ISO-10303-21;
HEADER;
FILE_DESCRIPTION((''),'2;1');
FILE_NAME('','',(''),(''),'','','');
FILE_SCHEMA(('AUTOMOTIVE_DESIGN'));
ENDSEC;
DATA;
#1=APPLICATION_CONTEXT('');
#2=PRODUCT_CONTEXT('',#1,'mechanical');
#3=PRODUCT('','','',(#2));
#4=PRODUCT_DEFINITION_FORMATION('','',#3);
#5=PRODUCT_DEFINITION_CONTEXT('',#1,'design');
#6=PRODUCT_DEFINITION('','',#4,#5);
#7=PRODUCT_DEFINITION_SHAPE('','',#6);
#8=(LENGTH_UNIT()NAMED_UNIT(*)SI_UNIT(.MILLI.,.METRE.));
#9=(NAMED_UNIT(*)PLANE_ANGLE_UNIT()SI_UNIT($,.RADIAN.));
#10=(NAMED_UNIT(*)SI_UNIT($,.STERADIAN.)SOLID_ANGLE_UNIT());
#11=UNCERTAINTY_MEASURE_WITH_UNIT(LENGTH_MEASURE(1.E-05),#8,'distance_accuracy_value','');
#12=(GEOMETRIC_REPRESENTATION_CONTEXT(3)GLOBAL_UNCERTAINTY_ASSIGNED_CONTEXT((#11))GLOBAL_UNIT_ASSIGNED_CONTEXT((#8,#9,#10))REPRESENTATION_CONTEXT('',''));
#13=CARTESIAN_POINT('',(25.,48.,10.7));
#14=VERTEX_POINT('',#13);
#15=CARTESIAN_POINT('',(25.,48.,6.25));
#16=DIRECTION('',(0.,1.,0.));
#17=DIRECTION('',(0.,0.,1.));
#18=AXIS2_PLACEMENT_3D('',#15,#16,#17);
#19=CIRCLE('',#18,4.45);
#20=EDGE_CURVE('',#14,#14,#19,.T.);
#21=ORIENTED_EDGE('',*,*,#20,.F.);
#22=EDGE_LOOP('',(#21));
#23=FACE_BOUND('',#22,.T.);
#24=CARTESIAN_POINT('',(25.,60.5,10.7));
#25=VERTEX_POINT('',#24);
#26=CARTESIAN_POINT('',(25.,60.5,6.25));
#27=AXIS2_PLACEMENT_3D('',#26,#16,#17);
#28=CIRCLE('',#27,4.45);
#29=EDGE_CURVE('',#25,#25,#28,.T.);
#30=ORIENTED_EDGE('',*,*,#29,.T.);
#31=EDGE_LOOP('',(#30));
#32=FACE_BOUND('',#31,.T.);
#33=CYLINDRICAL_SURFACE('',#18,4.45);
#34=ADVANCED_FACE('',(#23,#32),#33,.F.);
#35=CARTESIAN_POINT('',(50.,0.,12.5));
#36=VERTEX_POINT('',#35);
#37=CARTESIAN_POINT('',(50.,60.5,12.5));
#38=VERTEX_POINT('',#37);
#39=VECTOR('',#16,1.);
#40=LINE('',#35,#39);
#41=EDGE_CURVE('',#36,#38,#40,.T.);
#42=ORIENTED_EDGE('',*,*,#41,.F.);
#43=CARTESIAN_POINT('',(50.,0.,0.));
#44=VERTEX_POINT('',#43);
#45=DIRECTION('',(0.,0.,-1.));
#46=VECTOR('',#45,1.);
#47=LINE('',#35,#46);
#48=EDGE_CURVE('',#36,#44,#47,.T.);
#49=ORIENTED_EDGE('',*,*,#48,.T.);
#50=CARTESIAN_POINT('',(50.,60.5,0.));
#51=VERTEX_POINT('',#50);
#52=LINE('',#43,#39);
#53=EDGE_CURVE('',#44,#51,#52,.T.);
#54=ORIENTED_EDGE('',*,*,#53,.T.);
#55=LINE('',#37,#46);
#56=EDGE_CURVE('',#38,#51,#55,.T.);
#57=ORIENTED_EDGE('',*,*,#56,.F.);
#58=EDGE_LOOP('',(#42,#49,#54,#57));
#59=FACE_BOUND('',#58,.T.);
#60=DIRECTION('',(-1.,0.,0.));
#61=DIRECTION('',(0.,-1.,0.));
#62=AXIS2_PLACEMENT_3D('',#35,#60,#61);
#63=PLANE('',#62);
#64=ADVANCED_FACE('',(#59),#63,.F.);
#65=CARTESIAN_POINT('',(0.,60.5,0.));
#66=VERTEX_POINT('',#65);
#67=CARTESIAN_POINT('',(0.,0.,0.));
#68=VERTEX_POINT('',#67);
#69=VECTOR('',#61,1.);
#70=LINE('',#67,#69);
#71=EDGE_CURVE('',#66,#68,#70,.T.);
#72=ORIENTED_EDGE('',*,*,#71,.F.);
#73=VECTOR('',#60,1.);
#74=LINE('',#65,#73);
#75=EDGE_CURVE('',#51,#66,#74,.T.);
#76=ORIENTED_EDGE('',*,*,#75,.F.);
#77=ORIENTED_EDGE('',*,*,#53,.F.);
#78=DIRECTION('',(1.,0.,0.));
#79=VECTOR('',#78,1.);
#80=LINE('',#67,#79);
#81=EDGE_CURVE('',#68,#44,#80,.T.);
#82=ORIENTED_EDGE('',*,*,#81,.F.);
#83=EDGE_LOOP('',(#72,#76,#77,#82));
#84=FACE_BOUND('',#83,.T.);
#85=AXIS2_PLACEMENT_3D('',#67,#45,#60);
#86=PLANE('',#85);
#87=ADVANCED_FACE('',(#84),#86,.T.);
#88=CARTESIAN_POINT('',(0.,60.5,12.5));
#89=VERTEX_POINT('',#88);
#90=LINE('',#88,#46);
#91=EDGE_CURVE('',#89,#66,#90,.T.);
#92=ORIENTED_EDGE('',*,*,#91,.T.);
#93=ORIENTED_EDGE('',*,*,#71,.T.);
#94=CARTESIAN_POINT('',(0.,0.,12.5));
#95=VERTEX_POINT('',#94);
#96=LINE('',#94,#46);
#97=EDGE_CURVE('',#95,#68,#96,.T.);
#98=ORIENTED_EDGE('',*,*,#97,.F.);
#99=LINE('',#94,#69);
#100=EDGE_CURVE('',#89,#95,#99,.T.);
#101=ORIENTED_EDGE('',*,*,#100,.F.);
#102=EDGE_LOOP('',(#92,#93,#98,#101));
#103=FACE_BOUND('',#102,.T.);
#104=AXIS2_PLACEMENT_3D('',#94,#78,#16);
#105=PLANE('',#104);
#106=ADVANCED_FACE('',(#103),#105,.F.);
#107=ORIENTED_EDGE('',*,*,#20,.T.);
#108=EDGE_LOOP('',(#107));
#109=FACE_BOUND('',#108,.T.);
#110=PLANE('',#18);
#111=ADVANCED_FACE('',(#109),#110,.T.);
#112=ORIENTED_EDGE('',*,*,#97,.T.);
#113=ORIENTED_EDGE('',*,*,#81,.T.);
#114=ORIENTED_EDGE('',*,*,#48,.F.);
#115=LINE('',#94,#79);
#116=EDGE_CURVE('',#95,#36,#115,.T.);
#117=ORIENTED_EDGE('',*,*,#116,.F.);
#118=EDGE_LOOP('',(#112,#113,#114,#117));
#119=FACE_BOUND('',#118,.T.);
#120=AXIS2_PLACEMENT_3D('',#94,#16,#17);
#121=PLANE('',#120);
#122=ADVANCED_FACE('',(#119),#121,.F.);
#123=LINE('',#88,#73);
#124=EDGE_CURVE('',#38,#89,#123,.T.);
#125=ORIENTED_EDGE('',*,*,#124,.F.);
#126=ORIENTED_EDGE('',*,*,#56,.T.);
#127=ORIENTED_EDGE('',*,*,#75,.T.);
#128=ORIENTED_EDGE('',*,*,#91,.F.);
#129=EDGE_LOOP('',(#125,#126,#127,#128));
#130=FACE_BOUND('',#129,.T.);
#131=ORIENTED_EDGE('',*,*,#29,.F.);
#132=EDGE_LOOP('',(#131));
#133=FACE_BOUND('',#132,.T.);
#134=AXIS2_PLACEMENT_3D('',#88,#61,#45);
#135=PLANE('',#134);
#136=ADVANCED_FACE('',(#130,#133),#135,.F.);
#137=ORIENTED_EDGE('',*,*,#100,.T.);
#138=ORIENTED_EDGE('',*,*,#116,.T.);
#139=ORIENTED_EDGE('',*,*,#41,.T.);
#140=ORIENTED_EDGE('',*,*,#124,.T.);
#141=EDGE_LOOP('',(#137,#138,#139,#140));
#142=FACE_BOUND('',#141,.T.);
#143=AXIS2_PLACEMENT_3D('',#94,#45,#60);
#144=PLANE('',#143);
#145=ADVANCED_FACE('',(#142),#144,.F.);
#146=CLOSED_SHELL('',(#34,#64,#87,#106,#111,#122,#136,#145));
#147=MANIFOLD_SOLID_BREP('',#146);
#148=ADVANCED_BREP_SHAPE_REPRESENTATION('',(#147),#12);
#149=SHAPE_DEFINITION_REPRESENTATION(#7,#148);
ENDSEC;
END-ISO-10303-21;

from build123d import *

# Parameters (mm, degrees)
SKETCH1_W           = 50
SKETCH1_H           = 60.5
BOSS_EXTRUDE1_DEPTH = 12.5
SKETCH2_R           = 4.45
CUT_EXTRUDE1_DEPTH  = 12.5


with BuildPart() as part:
    # Sketch1 → Boss-Extrude1 (new body)
    with BuildSketch(Plane.XY):
        with Locations((25, 30.25)):
            Rectangle(SKETCH1_W, SKETCH1_H)
    extrude(amount=BOSS_EXTRUDE1_DEPTH)

    # Sketch2 → Cut-Extrude1 (cut)
    with BuildSketch(Plane(origin=(0, 60.5, 0), x_dir=(1, 0, 0), z_dir=(0, 1, 0))):
        with Locations(Location((25, -6.25, 0), (0, 0, 270))):
            Circle(SKETCH2_R)
    extrude(amount=-CUT_EXTRUDE1_DEPTH, mode=Mode.SUBTRACT)


solid = part.part
